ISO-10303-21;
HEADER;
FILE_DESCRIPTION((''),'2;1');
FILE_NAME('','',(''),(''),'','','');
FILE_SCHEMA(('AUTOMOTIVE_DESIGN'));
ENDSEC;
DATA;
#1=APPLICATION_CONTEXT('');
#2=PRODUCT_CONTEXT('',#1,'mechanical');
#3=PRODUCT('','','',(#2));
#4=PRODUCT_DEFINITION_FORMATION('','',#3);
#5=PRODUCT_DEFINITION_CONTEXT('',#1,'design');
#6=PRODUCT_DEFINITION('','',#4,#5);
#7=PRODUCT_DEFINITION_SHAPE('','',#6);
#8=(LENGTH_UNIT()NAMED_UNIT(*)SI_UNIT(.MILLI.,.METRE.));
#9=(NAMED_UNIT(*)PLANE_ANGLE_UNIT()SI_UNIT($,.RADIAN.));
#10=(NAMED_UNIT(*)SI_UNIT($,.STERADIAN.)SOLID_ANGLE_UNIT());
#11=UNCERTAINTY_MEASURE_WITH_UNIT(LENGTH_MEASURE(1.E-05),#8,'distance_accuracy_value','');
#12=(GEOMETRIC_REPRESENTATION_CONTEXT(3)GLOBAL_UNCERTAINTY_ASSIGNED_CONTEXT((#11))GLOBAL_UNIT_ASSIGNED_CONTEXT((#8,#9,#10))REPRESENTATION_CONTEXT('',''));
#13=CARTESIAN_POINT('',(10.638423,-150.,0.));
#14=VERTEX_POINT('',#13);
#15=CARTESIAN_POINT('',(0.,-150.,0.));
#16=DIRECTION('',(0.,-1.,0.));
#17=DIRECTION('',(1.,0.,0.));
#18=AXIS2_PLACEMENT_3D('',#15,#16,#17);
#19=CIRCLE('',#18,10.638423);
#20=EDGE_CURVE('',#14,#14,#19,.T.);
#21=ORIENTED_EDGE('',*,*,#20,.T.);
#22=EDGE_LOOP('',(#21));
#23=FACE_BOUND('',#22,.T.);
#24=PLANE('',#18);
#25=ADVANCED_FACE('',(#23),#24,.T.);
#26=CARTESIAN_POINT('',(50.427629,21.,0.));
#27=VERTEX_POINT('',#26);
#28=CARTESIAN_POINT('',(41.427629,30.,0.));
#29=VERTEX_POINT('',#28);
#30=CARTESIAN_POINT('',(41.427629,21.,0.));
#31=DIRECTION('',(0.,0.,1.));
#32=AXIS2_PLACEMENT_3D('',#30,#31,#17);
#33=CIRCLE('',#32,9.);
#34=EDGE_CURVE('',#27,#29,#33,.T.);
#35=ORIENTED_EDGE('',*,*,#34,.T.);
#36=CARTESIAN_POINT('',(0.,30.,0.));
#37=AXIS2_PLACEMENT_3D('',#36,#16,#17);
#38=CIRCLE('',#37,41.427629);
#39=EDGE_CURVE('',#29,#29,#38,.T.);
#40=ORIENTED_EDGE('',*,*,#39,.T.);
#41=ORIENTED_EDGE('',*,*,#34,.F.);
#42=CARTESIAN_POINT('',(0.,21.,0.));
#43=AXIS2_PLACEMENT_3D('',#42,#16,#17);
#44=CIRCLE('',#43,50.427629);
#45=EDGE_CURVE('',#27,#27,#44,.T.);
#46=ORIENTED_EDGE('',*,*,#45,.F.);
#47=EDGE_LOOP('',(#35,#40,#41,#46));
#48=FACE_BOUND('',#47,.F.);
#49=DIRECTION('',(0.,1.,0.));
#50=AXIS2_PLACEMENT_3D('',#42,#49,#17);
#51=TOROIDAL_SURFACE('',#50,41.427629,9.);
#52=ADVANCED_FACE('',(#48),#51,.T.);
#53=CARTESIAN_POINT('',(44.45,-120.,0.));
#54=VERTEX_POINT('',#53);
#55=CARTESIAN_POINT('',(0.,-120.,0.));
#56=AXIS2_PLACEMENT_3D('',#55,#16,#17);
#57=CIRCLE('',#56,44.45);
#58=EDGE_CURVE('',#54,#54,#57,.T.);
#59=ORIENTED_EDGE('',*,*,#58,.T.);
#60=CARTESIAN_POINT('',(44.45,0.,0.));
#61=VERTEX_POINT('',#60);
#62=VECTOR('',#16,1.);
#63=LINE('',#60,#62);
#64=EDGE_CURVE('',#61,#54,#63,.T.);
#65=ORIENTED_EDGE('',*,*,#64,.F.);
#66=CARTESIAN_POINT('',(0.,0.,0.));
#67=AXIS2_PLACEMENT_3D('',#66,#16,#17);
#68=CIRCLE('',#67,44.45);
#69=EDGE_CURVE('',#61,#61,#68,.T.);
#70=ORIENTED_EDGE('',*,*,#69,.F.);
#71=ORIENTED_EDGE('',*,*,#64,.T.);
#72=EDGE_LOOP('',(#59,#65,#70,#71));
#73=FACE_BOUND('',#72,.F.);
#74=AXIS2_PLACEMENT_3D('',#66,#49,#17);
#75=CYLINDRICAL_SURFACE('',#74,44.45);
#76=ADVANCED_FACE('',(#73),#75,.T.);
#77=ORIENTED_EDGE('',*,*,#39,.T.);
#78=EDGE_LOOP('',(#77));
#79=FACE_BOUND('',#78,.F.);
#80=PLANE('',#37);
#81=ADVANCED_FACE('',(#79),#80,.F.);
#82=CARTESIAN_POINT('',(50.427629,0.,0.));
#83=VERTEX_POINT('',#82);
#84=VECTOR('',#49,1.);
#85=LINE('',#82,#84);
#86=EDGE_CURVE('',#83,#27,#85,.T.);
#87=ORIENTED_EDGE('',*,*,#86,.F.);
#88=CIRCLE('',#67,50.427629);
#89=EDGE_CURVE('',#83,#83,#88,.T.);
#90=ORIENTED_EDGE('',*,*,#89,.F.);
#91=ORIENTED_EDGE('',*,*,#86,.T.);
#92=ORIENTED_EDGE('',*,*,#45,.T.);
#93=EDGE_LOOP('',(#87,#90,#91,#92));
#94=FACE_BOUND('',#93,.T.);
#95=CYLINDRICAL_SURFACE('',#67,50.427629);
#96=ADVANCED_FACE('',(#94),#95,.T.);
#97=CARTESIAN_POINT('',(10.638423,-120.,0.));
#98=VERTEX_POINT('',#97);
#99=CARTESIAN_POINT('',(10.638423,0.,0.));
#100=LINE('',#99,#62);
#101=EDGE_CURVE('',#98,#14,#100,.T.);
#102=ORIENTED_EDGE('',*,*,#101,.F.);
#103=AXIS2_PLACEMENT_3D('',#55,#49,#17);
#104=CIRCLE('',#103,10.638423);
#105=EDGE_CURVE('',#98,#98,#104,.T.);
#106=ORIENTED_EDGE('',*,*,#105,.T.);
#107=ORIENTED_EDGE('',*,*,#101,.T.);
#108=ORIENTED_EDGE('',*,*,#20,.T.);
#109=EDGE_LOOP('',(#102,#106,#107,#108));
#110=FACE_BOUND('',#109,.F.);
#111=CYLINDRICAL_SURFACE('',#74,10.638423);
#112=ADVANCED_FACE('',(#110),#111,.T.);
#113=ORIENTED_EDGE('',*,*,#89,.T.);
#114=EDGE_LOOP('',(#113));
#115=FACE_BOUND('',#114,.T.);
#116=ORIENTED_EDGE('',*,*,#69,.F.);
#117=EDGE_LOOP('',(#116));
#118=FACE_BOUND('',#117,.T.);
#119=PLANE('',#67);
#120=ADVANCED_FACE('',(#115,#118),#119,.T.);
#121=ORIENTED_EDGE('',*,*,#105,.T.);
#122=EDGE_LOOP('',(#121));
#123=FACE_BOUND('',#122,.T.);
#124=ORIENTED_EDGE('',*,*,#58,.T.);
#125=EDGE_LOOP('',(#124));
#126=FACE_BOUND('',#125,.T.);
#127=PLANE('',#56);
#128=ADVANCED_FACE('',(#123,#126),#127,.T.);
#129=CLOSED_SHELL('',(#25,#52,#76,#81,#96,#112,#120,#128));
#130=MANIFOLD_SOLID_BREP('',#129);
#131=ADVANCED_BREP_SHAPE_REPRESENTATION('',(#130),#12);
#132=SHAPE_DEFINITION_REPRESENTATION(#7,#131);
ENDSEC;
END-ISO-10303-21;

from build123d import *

# Parameters (mm, degrees)
F0_R     = 44.45
F1_DEPTH = 120
F2_R     = 50.427629
F3_DEPTH = 30
F4_R     = 9
F5_R     = 10.638423
F6_DEPTH = 150


with BuildPart() as f1:
    # F0 (on Front) → F1 (new body)
    with BuildSketch(Plane.XZ):
        Circle(F0_R)
    extrude(amount=F1_DEPTH)

    # F2 (on Front) → F3 (join)
    with BuildSketch(Plane.XZ):
        Circle(F2_R)
    extrude(amount=-F3_DEPTH)

    # F4
    f4_edges = [f1.edges().sort_by_distance(p)[0] for p in [
        (-50.427629, 30, 0),
    ]]
    fillet(f4_edges, radius=F4_R)

    # F5 (on Front) → F6 (join)
    with BuildSketch(Plane.XZ):
        Circle(F5_R)
    extrude(amount=F6_DEPTH)


solid = f1.part
